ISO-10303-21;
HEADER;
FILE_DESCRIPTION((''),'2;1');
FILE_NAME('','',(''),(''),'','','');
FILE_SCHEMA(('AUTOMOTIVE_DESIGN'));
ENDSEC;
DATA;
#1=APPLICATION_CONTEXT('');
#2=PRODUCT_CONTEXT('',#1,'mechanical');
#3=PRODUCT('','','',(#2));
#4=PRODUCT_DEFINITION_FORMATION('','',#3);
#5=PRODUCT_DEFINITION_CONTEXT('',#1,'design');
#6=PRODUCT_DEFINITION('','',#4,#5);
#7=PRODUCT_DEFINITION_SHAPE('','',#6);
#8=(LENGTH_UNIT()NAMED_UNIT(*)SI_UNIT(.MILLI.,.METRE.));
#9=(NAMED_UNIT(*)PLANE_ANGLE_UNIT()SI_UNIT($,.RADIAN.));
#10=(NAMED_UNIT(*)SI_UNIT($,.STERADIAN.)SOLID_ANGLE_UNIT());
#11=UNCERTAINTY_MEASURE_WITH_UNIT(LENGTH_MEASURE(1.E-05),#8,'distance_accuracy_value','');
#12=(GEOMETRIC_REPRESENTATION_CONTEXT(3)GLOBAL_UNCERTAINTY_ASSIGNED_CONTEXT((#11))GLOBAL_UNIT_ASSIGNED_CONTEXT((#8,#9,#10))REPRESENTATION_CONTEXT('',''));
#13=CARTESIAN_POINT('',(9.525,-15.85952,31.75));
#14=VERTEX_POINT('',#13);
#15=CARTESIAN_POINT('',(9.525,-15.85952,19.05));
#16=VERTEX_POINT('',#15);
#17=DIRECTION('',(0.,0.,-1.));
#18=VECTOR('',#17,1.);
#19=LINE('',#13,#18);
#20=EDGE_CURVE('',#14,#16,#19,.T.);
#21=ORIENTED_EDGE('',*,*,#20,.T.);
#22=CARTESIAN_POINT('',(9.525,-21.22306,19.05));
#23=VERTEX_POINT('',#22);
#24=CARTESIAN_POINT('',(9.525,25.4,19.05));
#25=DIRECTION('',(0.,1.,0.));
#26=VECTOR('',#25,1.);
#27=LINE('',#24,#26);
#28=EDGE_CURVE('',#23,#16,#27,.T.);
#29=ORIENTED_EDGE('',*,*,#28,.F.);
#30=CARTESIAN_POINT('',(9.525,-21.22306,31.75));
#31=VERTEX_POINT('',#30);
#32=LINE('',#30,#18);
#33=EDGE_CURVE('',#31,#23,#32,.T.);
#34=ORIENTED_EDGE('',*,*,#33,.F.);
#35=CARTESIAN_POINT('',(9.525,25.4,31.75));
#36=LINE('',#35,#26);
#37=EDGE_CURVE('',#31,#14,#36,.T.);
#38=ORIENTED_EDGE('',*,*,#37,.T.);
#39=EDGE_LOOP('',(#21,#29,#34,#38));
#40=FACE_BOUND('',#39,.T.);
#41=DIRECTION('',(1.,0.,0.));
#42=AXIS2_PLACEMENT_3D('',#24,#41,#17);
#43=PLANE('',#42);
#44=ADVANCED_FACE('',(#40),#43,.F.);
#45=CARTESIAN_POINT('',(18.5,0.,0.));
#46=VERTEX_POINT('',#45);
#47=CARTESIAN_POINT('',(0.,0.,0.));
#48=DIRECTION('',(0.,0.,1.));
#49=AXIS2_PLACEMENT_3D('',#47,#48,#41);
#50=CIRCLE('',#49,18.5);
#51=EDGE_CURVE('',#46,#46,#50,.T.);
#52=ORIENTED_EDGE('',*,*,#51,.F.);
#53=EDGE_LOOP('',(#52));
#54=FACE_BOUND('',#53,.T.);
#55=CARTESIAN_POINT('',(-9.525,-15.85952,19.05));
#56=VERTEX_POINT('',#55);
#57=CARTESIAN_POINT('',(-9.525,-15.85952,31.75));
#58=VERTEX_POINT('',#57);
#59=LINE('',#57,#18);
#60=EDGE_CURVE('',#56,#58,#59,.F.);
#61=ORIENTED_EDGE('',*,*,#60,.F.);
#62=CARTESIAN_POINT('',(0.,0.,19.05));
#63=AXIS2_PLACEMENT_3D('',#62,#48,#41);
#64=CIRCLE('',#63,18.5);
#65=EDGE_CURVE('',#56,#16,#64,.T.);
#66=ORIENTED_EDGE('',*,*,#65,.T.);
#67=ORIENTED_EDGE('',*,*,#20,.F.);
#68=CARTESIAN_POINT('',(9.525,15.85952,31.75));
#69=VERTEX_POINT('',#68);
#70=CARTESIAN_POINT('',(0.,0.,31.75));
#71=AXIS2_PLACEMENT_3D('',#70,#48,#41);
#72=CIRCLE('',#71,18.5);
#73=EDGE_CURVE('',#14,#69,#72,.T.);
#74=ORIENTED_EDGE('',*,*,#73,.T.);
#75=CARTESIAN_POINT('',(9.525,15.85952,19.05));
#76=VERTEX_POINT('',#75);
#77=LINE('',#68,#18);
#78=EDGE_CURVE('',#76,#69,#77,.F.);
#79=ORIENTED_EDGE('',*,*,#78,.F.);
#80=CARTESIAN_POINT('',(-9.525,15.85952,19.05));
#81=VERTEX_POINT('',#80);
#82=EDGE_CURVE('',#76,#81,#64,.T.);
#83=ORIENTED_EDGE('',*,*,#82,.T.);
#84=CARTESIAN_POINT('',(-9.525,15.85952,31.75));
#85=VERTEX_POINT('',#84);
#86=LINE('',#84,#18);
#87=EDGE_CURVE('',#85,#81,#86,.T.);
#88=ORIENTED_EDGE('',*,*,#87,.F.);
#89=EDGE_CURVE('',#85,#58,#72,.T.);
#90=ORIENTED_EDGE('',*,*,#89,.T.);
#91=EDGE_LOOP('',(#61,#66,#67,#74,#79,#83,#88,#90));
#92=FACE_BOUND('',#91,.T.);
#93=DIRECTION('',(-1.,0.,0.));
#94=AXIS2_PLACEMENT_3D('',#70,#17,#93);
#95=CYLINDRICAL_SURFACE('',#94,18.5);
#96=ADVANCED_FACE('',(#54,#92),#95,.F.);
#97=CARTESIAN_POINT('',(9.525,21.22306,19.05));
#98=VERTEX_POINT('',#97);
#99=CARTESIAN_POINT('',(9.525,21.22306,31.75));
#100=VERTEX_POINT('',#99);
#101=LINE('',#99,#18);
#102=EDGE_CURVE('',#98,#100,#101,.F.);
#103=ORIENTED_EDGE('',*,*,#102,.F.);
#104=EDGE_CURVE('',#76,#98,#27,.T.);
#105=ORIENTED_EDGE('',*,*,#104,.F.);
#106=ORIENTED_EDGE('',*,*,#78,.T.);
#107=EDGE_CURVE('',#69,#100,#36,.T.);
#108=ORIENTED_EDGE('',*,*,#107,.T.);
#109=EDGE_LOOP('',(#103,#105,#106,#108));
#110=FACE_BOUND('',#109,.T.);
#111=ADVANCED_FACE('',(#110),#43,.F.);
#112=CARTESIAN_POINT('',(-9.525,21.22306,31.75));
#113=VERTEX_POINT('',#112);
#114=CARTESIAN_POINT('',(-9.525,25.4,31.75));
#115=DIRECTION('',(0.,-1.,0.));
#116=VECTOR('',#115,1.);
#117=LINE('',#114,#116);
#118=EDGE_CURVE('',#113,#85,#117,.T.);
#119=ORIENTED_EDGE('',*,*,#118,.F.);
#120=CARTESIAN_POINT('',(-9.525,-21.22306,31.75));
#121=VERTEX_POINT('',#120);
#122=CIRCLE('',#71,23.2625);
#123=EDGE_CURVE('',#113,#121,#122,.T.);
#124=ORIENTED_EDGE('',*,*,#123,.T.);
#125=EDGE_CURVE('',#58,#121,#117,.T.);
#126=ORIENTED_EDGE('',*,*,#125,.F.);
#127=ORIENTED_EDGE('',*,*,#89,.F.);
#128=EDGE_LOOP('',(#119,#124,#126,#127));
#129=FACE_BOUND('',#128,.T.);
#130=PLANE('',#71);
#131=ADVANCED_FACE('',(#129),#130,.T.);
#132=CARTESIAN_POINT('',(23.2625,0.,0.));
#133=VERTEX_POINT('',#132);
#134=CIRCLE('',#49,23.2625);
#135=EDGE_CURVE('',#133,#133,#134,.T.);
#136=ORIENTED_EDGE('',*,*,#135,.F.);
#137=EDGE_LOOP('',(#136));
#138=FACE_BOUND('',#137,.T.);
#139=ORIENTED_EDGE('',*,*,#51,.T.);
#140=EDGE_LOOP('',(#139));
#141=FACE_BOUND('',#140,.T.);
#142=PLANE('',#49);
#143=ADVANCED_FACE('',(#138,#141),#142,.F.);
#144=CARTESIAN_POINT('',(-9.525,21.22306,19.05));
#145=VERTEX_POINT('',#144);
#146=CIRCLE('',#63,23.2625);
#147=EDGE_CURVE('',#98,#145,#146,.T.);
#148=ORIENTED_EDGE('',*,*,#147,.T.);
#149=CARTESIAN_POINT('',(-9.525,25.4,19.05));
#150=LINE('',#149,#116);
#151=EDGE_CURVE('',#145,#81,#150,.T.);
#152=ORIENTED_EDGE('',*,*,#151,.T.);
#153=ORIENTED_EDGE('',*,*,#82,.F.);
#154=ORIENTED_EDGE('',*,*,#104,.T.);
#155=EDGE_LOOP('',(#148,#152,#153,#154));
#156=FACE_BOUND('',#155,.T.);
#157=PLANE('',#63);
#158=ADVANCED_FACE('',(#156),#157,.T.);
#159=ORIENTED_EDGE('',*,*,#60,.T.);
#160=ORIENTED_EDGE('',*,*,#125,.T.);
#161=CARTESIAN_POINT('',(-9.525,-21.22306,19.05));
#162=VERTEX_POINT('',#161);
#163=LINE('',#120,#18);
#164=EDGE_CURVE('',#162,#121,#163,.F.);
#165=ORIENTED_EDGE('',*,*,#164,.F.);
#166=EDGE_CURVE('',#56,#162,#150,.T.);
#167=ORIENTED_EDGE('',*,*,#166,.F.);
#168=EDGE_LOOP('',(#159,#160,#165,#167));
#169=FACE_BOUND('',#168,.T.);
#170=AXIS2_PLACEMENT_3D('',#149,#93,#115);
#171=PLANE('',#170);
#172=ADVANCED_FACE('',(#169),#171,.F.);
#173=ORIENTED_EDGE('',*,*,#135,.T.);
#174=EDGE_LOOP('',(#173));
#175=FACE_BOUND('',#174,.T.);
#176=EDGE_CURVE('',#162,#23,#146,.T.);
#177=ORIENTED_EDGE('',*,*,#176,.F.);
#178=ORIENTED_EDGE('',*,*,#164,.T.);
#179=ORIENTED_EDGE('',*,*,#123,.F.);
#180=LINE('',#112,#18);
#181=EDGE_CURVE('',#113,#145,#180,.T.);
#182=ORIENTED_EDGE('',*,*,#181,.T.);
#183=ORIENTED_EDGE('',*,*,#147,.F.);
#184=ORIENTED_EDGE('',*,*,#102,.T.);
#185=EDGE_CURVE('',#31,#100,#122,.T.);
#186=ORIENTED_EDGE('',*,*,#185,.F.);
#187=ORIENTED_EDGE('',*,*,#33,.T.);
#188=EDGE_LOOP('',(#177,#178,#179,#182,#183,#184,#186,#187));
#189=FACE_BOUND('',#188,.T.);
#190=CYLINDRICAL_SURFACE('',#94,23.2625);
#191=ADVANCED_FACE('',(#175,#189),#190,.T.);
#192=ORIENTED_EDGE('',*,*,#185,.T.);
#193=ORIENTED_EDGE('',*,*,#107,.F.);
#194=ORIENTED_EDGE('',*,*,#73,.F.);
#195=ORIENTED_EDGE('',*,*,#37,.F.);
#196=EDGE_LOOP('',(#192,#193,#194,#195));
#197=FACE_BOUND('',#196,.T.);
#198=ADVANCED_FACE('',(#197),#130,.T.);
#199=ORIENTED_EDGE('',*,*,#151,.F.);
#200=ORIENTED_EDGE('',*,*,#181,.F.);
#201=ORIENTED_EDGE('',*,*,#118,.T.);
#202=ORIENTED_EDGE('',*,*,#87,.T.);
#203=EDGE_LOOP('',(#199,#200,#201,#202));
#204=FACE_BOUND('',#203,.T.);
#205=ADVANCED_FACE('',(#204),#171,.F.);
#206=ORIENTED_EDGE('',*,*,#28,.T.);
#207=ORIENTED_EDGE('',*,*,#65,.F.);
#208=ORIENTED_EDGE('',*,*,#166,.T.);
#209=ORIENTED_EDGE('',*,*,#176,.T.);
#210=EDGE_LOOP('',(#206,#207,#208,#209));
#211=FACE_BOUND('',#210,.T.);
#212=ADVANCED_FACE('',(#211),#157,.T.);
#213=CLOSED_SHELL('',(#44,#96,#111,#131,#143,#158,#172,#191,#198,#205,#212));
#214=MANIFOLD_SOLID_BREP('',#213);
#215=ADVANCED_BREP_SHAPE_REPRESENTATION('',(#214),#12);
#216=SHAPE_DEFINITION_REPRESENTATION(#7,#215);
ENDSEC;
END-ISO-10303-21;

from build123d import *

# Parameters (mm, degrees)
SKETCH1_R           = 23.2625
SKETCH1_R_2         = 18.5
BOSS_EXTRUDE1_DEPTH = 31.75
SKETCH2_W           = 19.05
SKETCH2_H           = 50.8
CUT_EXTRUDE1_DEPTH  = 12.7


with BuildPart() as part:
    # Sketch1 → Boss-Extrude1 (new body)
    with BuildSketch(Plane.XY):
        Circle(SKETCH1_R)
        Circle(SKETCH1_R_2, mode=Mode.SUBTRACT)
    extrude(amount=BOSS_EXTRUDE1_DEPTH)

    # Sketch2 → Cut-Extrude1 (cut)
    with BuildSketch(Plane.XY.offset(31.75)):
        Rectangle(SKETCH2_W, SKETCH2_H)
    extrude(amount=-CUT_EXTRUDE1_DEPTH, mode=Mode.SUBTRACT)


solid = part.part
